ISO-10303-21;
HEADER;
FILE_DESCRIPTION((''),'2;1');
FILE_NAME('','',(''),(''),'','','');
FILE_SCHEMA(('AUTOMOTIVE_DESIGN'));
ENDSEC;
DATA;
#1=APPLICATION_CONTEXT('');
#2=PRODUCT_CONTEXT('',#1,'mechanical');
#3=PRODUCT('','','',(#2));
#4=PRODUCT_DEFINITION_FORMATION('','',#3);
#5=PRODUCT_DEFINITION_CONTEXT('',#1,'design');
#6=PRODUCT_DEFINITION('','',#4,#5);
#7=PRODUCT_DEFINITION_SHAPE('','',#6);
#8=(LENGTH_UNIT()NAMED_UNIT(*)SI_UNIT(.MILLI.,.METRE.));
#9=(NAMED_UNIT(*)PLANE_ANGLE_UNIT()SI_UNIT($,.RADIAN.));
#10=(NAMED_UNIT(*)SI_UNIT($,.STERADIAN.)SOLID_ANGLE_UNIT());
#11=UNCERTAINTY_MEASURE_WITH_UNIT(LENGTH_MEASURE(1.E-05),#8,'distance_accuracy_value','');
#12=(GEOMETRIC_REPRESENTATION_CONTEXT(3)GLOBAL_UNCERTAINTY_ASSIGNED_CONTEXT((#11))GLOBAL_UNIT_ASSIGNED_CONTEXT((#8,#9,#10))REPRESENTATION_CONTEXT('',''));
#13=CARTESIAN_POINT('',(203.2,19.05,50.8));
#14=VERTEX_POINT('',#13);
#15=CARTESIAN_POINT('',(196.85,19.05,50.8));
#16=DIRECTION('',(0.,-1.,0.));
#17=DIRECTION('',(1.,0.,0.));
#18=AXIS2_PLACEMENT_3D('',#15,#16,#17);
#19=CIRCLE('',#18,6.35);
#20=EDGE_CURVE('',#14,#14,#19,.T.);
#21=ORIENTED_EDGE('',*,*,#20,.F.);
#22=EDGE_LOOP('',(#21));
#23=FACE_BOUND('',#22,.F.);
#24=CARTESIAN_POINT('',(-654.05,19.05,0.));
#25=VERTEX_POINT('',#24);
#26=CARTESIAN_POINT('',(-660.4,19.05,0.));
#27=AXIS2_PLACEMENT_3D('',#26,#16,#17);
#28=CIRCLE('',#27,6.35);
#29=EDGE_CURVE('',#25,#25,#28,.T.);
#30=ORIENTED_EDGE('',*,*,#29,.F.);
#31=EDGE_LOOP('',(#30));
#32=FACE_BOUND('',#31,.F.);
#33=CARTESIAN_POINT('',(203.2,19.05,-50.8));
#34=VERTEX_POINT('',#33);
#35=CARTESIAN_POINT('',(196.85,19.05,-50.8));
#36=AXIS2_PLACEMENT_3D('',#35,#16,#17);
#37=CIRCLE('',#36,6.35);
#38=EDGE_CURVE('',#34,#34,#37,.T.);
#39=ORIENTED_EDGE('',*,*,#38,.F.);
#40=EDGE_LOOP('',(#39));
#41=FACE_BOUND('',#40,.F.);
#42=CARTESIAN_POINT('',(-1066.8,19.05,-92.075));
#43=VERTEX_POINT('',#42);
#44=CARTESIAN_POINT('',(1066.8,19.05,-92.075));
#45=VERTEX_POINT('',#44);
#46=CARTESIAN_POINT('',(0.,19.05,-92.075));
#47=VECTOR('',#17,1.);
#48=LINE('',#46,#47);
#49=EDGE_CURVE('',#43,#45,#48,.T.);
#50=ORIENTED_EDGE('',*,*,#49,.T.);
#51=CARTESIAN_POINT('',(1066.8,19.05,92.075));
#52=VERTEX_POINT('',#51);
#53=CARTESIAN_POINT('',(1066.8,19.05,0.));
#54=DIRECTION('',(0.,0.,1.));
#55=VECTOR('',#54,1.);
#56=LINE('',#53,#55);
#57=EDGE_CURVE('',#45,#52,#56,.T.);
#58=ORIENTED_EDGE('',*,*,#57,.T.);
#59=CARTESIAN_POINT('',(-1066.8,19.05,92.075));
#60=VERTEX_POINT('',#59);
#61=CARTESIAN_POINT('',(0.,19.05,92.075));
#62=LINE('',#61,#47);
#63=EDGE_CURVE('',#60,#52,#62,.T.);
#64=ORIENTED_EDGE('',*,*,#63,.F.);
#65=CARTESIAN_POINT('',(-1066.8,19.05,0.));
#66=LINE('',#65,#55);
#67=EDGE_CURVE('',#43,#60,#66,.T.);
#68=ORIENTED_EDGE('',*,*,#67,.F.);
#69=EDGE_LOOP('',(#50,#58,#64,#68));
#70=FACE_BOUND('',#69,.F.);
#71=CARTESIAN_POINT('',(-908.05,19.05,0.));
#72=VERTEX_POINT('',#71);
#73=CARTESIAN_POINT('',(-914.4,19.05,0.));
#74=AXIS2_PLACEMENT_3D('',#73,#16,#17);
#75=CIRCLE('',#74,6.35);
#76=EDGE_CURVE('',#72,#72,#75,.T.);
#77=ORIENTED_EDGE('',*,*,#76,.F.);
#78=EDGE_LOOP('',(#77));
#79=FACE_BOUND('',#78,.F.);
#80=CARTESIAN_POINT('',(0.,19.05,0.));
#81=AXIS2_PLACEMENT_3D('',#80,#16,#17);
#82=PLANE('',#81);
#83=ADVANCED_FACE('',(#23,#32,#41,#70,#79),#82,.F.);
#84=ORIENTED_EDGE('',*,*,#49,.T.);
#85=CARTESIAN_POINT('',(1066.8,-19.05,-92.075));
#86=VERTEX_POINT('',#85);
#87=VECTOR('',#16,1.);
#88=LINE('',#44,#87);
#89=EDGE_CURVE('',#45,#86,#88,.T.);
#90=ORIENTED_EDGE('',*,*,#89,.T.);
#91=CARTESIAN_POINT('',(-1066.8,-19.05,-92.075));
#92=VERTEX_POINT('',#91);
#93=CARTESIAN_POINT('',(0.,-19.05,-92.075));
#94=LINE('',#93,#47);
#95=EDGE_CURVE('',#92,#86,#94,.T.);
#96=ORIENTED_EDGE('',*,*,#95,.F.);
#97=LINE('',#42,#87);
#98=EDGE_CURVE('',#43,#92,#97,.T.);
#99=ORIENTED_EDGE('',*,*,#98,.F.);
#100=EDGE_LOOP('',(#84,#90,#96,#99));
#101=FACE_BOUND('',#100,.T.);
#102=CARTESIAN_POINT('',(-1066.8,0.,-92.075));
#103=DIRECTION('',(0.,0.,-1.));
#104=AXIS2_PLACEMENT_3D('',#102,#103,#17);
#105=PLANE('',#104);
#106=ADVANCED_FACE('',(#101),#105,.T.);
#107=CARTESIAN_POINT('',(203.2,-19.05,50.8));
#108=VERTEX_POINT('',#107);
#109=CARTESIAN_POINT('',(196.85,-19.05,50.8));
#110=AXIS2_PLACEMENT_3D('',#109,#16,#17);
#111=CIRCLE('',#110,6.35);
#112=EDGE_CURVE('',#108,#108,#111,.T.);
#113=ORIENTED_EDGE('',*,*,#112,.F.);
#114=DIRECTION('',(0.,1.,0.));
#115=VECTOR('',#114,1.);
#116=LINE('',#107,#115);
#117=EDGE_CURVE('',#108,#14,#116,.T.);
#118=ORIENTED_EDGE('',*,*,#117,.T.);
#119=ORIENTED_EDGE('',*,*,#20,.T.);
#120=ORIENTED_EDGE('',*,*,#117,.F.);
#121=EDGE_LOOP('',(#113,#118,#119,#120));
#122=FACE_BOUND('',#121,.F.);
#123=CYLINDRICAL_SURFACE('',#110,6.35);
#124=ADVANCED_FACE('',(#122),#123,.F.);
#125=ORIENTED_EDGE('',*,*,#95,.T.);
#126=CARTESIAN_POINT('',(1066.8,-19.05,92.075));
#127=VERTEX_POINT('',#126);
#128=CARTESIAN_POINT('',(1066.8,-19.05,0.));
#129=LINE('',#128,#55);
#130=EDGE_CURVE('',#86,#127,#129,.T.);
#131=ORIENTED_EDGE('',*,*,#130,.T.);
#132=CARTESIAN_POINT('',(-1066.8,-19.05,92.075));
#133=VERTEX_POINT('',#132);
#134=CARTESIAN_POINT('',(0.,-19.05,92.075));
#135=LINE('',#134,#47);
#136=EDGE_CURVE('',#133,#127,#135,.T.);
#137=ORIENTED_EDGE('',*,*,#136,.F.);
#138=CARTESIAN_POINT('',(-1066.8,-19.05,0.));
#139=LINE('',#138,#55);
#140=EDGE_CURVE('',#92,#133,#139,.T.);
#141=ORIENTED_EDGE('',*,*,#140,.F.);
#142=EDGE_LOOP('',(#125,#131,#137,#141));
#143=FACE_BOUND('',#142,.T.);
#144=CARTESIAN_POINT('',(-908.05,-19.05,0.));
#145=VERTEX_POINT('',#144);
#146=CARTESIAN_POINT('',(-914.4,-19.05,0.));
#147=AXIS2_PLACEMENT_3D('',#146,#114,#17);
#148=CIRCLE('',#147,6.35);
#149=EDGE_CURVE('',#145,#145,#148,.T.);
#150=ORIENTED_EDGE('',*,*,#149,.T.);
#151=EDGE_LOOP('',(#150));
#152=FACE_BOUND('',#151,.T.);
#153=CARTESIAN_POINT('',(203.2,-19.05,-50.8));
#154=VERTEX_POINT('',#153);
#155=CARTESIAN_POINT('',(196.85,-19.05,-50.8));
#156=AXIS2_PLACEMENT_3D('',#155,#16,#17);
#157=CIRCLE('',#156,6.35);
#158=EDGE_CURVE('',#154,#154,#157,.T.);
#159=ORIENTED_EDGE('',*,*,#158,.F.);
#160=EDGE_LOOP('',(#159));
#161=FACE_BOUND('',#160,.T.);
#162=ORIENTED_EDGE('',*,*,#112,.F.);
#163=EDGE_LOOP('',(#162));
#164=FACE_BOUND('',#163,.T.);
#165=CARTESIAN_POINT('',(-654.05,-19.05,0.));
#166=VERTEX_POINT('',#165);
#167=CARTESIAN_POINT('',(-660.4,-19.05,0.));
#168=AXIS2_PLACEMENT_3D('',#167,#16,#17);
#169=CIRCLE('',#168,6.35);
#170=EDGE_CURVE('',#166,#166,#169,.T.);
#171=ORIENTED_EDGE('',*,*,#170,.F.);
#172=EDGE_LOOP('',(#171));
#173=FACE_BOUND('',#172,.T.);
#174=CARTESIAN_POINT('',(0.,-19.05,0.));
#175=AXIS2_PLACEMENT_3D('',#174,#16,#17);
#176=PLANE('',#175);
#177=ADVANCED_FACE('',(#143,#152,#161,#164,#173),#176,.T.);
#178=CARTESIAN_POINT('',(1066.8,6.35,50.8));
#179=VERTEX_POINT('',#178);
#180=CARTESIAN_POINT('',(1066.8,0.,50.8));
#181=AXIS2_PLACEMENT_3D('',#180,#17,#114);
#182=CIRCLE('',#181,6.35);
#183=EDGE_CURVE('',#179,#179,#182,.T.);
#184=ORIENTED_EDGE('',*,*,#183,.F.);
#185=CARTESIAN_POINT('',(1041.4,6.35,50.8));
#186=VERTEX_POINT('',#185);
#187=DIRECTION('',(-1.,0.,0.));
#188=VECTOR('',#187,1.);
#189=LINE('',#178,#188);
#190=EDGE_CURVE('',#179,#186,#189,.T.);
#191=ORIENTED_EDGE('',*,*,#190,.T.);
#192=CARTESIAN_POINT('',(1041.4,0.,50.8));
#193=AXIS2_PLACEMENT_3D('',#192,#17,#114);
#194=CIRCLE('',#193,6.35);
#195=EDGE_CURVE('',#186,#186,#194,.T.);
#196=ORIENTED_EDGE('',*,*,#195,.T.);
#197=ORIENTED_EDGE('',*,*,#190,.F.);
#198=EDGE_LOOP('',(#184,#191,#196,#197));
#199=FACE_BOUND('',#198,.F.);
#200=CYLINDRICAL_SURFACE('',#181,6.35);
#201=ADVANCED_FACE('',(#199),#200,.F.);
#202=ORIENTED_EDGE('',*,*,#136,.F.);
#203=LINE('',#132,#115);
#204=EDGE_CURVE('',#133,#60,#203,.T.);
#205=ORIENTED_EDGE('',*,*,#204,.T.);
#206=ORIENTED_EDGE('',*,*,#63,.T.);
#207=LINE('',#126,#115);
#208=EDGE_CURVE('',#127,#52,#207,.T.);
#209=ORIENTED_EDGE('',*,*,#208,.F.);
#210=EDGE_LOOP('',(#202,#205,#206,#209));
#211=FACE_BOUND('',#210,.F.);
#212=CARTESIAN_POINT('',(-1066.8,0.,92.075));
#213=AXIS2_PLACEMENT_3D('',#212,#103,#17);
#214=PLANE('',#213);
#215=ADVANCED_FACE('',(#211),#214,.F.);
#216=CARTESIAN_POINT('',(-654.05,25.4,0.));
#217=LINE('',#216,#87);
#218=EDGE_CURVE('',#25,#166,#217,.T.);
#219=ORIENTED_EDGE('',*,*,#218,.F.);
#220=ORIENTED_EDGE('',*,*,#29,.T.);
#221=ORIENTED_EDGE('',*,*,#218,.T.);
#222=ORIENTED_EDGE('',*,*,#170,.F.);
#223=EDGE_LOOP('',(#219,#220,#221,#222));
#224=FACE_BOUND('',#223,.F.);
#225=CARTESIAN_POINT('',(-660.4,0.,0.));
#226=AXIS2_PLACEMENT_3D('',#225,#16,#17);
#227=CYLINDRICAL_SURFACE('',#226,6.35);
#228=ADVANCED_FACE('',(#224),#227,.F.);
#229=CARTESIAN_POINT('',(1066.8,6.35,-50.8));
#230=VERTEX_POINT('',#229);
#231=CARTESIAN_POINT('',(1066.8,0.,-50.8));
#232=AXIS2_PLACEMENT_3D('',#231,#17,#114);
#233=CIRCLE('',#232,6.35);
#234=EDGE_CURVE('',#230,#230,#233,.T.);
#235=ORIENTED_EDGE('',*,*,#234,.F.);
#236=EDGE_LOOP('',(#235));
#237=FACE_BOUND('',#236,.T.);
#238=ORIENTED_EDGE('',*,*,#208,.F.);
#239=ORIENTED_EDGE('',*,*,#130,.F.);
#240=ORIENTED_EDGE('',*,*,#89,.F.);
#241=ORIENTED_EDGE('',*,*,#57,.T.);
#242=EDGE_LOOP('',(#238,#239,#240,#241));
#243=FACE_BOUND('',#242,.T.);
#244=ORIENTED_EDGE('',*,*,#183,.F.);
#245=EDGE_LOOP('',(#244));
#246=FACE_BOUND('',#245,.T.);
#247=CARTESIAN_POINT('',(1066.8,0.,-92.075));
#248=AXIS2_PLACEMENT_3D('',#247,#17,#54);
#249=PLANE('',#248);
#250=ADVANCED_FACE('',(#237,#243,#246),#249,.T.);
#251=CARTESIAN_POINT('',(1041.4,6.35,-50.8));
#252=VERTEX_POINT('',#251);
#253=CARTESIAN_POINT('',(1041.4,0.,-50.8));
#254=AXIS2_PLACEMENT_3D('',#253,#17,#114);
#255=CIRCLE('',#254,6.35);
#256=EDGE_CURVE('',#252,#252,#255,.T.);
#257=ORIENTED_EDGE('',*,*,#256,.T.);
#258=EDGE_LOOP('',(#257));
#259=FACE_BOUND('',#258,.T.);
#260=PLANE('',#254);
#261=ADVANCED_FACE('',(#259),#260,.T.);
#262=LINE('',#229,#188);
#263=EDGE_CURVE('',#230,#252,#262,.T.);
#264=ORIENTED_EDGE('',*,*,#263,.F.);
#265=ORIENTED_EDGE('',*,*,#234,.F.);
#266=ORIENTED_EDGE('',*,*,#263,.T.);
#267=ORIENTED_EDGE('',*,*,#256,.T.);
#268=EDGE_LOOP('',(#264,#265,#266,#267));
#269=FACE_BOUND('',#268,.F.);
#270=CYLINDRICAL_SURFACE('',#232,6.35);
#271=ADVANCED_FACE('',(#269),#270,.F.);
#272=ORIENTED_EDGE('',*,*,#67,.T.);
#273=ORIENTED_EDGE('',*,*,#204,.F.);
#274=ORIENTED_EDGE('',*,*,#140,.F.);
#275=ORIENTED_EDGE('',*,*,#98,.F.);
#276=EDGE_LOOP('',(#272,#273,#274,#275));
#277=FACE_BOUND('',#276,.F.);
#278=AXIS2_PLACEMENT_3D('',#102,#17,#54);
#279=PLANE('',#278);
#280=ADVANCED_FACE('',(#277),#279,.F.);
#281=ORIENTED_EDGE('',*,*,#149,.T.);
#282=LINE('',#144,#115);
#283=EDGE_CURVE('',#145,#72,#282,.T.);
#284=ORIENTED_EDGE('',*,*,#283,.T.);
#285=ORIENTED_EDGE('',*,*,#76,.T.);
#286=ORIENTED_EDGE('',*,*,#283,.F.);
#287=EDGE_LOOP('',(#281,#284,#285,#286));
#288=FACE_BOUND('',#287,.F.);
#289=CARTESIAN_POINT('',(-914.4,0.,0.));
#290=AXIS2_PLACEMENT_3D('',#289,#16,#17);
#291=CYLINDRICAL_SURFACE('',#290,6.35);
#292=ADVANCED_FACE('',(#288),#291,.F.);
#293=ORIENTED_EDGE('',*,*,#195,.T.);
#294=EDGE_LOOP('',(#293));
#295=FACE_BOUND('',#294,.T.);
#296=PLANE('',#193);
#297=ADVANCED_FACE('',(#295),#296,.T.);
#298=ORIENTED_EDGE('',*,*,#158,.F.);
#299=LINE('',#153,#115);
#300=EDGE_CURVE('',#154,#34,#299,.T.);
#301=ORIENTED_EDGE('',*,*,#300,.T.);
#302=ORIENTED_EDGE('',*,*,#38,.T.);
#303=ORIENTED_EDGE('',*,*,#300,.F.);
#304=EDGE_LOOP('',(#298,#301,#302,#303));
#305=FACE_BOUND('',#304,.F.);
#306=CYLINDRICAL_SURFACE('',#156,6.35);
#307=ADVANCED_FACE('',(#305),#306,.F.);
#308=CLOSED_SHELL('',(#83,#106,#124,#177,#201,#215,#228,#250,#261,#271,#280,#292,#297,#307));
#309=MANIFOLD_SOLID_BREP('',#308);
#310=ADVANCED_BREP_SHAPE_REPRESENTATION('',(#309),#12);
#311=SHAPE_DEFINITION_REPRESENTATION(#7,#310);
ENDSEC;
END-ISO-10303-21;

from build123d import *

# Parameters (mm, degrees)
F0_W     = 2133.6
F0_H     = 184.15
F1_DEPTH = 19.05
F2_R     = 6.35
F3_DEPTH = 25.4
F4_R     = 6.35
F5_DEPTH = 50.8
F6_R     = 6.35
F7_DEPTH = 25.4


with BuildPart() as f1:
    # F0 (on Front) → F1 (new body, symmetric)
    with BuildSketch(Plane.XZ):
        Rectangle(F0_W, F0_H)
    extrude(amount=F1_DEPTH, both=True)

    # F2 (on face) → F3 (cut)
    with BuildSketch(Plane.YZ.offset(1066.8)):
        with Locations((0, 50.8)):
            Circle(F2_R)
        with Locations((0, -50.8)):
            Circle(F2_R)
    extrude(amount=-F3_DEPTH, mode=Mode.SUBTRACT)

    # F4 (on face) → F5 (cut)
    with BuildSketch(Plane.XZ.offset(19.05)):
        with Locations((196.85, 50.8)):
            Circle(F4_R)
        with Locations((196.85, -50.8)):
            Circle(F4_R)
    extrude(amount=-F5_DEPTH, mode=Mode.SUBTRACT)

    # F6 (on Front) → F7 (cut, symmetric)
    with BuildSketch(Plane.XZ):
        with Locations((-914.4, 0)):
            Circle(F6_R)
        with Locations((-660.4, 0)):
            Circle(F6_R)
    extrude(amount=F7_DEPTH, both=True, mode=Mode.SUBTRACT)


solid = f1.part
